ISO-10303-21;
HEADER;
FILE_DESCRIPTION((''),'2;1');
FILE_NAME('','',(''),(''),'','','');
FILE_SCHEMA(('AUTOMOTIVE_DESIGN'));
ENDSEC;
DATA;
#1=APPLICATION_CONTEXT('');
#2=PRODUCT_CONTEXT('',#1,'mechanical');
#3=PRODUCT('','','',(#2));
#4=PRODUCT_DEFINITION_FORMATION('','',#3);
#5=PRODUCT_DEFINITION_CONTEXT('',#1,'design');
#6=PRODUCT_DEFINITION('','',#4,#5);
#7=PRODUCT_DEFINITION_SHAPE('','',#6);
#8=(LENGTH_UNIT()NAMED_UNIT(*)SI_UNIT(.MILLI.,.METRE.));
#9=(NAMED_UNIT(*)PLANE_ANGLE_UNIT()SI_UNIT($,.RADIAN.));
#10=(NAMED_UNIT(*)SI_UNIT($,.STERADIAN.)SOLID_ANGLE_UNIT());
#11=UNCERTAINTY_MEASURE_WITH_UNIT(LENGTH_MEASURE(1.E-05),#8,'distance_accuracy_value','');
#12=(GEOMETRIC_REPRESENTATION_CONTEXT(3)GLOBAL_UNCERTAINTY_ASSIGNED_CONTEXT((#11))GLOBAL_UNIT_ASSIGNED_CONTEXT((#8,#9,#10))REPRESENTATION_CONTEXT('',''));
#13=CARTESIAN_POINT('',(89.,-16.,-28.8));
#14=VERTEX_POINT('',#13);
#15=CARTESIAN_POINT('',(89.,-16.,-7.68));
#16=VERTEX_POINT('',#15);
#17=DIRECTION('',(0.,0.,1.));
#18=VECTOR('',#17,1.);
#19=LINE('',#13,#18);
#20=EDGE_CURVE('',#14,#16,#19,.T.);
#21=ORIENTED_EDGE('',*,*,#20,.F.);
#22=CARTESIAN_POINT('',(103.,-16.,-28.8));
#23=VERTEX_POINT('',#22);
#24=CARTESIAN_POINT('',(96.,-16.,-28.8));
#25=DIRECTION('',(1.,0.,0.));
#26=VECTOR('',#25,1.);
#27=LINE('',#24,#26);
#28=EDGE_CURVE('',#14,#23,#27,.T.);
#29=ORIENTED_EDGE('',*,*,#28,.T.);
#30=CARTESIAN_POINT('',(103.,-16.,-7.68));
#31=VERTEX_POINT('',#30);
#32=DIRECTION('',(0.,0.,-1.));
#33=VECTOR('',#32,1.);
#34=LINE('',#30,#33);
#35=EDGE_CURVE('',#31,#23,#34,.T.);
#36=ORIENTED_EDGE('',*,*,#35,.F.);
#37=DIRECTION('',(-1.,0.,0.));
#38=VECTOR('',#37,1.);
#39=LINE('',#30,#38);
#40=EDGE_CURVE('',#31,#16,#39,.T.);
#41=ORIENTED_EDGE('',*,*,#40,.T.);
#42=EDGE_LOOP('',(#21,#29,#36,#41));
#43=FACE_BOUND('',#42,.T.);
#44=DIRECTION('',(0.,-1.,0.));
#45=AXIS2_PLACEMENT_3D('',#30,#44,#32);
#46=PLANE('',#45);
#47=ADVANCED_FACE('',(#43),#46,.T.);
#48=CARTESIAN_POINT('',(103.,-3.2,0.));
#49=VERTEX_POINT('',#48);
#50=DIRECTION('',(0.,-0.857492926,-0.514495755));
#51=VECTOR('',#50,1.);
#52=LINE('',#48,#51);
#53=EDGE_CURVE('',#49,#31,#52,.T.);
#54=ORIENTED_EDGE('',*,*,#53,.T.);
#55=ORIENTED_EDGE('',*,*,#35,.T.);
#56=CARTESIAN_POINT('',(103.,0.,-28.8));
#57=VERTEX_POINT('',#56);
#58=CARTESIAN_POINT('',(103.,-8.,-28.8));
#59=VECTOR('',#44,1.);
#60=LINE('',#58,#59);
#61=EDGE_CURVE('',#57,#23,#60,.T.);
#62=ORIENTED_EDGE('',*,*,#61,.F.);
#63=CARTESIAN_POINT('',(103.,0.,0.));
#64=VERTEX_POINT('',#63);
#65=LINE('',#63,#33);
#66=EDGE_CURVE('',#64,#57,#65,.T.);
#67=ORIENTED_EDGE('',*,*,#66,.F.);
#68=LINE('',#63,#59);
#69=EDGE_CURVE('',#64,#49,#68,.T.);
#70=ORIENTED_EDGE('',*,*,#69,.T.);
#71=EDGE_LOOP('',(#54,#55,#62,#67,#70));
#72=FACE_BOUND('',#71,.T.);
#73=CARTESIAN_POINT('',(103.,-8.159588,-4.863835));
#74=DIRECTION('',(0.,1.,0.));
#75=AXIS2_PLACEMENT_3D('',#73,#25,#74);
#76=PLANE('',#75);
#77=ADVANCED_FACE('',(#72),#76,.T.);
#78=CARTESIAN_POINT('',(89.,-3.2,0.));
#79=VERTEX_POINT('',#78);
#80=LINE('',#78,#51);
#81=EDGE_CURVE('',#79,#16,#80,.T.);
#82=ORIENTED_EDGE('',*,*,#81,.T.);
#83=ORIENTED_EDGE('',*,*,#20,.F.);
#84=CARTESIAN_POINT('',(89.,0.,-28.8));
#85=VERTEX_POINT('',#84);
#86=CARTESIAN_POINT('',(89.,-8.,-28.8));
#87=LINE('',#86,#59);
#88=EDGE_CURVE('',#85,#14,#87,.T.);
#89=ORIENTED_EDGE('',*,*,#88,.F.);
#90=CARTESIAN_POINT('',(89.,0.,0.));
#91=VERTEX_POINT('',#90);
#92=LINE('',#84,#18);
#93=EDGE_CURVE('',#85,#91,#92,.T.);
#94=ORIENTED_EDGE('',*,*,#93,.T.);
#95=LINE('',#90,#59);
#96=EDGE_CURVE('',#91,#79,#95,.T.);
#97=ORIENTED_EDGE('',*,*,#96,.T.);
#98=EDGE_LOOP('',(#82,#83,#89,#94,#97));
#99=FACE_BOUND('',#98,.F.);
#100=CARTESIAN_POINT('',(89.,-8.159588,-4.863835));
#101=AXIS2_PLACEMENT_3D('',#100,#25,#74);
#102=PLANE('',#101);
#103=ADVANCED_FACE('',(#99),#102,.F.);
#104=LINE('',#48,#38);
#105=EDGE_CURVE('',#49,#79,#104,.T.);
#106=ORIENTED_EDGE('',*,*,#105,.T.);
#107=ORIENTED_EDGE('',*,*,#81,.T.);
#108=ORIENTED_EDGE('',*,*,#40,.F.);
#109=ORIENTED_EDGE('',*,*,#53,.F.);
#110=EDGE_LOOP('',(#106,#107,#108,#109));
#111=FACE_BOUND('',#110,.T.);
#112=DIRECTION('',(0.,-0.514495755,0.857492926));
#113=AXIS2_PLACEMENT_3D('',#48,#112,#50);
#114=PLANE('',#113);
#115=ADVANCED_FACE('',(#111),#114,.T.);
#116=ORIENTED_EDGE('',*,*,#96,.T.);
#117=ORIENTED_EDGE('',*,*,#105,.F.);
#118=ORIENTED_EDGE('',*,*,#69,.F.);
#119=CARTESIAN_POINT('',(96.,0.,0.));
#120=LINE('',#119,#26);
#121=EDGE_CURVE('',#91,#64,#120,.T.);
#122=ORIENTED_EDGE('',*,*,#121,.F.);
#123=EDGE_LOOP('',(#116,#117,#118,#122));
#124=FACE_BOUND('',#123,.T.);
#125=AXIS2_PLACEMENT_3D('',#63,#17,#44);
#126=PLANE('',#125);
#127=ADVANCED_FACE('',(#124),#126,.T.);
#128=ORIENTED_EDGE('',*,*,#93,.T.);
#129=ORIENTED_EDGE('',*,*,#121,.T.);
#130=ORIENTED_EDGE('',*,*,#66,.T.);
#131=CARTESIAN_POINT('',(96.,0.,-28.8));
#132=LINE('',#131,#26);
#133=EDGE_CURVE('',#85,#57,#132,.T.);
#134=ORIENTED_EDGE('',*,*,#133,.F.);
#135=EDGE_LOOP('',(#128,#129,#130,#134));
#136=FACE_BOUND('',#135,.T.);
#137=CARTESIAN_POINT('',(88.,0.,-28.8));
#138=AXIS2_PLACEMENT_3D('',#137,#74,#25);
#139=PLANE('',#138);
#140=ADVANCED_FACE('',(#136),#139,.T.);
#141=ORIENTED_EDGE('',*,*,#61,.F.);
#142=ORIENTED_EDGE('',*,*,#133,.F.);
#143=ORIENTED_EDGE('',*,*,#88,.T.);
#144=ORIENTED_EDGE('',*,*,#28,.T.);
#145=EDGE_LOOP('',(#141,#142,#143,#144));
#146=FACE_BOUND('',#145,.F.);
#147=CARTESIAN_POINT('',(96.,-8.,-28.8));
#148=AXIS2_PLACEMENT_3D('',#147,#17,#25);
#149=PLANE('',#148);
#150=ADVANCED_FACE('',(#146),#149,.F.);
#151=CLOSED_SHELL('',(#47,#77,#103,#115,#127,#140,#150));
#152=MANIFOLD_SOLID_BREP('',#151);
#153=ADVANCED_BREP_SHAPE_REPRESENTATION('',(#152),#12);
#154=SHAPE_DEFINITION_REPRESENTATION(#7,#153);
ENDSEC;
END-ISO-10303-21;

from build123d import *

# Parameters (mm, degrees)
SKETCH032_W     = 16
SKETCH032_H     = 16
PAD017_DEPTH    = 28.8
POCKET015_DEPTH = 16
SKETCH115_W     = 1
SKETCH115_H     = 16
POCKET031_DEPTH = 30
PAD134_DEPTH    = 14


with BuildPart() as part:
    # Sketch032 (on Face52 of Binder013) → Pad017 (new body)
    with BuildSketch(Plane.XY.offset(-28.8)):
        with Locations((96, -8)):
            Rectangle(SKETCH032_W, SKETCH032_H)
    extrude(amount=PAD017_DEPTH)

    # Sketch033 (on Face2 of Pad017) → Pocket015 (cut)
    with BuildSketch(Plane.YZ.offset(104)):
        Polygon((-16, 0), (-16, -9.6), (0, 0), align=None)
    extrude(amount=-POCKET015_DEPTH, mode=Mode.SUBTRACT)

    # Sketch115 (on Face2 of Pocket015) → Pocket031 (cut)
    with BuildSketch(Plane(origin=(0, 0, -28.8), x_dir=(1, 0, 0), z_dir=(0, 0, -1))):
        with Locations((103.5, 8)):
            Rectangle(SKETCH115_W, SKETCH115_H)
        with Locations((88.5, 8)):
            Rectangle(SKETCH115_W, SKETCH115_H)
    extrude(amount=-POCKET031_DEPTH, mode=Mode.SUBTRACT)

    # Sketch134 (on Face3 of Pocket031) → Pad134 (join)
    with BuildSketch(Plane.YZ.offset(103)):
        Polygon((0, 0), (-3.2, 0), (-16, -7.68), (-16, -10.88), (-3.2, -3.2), (0, -3.2), align=None)
    extrude(amount=-PAD134_DEPTH)


solid = part.part
